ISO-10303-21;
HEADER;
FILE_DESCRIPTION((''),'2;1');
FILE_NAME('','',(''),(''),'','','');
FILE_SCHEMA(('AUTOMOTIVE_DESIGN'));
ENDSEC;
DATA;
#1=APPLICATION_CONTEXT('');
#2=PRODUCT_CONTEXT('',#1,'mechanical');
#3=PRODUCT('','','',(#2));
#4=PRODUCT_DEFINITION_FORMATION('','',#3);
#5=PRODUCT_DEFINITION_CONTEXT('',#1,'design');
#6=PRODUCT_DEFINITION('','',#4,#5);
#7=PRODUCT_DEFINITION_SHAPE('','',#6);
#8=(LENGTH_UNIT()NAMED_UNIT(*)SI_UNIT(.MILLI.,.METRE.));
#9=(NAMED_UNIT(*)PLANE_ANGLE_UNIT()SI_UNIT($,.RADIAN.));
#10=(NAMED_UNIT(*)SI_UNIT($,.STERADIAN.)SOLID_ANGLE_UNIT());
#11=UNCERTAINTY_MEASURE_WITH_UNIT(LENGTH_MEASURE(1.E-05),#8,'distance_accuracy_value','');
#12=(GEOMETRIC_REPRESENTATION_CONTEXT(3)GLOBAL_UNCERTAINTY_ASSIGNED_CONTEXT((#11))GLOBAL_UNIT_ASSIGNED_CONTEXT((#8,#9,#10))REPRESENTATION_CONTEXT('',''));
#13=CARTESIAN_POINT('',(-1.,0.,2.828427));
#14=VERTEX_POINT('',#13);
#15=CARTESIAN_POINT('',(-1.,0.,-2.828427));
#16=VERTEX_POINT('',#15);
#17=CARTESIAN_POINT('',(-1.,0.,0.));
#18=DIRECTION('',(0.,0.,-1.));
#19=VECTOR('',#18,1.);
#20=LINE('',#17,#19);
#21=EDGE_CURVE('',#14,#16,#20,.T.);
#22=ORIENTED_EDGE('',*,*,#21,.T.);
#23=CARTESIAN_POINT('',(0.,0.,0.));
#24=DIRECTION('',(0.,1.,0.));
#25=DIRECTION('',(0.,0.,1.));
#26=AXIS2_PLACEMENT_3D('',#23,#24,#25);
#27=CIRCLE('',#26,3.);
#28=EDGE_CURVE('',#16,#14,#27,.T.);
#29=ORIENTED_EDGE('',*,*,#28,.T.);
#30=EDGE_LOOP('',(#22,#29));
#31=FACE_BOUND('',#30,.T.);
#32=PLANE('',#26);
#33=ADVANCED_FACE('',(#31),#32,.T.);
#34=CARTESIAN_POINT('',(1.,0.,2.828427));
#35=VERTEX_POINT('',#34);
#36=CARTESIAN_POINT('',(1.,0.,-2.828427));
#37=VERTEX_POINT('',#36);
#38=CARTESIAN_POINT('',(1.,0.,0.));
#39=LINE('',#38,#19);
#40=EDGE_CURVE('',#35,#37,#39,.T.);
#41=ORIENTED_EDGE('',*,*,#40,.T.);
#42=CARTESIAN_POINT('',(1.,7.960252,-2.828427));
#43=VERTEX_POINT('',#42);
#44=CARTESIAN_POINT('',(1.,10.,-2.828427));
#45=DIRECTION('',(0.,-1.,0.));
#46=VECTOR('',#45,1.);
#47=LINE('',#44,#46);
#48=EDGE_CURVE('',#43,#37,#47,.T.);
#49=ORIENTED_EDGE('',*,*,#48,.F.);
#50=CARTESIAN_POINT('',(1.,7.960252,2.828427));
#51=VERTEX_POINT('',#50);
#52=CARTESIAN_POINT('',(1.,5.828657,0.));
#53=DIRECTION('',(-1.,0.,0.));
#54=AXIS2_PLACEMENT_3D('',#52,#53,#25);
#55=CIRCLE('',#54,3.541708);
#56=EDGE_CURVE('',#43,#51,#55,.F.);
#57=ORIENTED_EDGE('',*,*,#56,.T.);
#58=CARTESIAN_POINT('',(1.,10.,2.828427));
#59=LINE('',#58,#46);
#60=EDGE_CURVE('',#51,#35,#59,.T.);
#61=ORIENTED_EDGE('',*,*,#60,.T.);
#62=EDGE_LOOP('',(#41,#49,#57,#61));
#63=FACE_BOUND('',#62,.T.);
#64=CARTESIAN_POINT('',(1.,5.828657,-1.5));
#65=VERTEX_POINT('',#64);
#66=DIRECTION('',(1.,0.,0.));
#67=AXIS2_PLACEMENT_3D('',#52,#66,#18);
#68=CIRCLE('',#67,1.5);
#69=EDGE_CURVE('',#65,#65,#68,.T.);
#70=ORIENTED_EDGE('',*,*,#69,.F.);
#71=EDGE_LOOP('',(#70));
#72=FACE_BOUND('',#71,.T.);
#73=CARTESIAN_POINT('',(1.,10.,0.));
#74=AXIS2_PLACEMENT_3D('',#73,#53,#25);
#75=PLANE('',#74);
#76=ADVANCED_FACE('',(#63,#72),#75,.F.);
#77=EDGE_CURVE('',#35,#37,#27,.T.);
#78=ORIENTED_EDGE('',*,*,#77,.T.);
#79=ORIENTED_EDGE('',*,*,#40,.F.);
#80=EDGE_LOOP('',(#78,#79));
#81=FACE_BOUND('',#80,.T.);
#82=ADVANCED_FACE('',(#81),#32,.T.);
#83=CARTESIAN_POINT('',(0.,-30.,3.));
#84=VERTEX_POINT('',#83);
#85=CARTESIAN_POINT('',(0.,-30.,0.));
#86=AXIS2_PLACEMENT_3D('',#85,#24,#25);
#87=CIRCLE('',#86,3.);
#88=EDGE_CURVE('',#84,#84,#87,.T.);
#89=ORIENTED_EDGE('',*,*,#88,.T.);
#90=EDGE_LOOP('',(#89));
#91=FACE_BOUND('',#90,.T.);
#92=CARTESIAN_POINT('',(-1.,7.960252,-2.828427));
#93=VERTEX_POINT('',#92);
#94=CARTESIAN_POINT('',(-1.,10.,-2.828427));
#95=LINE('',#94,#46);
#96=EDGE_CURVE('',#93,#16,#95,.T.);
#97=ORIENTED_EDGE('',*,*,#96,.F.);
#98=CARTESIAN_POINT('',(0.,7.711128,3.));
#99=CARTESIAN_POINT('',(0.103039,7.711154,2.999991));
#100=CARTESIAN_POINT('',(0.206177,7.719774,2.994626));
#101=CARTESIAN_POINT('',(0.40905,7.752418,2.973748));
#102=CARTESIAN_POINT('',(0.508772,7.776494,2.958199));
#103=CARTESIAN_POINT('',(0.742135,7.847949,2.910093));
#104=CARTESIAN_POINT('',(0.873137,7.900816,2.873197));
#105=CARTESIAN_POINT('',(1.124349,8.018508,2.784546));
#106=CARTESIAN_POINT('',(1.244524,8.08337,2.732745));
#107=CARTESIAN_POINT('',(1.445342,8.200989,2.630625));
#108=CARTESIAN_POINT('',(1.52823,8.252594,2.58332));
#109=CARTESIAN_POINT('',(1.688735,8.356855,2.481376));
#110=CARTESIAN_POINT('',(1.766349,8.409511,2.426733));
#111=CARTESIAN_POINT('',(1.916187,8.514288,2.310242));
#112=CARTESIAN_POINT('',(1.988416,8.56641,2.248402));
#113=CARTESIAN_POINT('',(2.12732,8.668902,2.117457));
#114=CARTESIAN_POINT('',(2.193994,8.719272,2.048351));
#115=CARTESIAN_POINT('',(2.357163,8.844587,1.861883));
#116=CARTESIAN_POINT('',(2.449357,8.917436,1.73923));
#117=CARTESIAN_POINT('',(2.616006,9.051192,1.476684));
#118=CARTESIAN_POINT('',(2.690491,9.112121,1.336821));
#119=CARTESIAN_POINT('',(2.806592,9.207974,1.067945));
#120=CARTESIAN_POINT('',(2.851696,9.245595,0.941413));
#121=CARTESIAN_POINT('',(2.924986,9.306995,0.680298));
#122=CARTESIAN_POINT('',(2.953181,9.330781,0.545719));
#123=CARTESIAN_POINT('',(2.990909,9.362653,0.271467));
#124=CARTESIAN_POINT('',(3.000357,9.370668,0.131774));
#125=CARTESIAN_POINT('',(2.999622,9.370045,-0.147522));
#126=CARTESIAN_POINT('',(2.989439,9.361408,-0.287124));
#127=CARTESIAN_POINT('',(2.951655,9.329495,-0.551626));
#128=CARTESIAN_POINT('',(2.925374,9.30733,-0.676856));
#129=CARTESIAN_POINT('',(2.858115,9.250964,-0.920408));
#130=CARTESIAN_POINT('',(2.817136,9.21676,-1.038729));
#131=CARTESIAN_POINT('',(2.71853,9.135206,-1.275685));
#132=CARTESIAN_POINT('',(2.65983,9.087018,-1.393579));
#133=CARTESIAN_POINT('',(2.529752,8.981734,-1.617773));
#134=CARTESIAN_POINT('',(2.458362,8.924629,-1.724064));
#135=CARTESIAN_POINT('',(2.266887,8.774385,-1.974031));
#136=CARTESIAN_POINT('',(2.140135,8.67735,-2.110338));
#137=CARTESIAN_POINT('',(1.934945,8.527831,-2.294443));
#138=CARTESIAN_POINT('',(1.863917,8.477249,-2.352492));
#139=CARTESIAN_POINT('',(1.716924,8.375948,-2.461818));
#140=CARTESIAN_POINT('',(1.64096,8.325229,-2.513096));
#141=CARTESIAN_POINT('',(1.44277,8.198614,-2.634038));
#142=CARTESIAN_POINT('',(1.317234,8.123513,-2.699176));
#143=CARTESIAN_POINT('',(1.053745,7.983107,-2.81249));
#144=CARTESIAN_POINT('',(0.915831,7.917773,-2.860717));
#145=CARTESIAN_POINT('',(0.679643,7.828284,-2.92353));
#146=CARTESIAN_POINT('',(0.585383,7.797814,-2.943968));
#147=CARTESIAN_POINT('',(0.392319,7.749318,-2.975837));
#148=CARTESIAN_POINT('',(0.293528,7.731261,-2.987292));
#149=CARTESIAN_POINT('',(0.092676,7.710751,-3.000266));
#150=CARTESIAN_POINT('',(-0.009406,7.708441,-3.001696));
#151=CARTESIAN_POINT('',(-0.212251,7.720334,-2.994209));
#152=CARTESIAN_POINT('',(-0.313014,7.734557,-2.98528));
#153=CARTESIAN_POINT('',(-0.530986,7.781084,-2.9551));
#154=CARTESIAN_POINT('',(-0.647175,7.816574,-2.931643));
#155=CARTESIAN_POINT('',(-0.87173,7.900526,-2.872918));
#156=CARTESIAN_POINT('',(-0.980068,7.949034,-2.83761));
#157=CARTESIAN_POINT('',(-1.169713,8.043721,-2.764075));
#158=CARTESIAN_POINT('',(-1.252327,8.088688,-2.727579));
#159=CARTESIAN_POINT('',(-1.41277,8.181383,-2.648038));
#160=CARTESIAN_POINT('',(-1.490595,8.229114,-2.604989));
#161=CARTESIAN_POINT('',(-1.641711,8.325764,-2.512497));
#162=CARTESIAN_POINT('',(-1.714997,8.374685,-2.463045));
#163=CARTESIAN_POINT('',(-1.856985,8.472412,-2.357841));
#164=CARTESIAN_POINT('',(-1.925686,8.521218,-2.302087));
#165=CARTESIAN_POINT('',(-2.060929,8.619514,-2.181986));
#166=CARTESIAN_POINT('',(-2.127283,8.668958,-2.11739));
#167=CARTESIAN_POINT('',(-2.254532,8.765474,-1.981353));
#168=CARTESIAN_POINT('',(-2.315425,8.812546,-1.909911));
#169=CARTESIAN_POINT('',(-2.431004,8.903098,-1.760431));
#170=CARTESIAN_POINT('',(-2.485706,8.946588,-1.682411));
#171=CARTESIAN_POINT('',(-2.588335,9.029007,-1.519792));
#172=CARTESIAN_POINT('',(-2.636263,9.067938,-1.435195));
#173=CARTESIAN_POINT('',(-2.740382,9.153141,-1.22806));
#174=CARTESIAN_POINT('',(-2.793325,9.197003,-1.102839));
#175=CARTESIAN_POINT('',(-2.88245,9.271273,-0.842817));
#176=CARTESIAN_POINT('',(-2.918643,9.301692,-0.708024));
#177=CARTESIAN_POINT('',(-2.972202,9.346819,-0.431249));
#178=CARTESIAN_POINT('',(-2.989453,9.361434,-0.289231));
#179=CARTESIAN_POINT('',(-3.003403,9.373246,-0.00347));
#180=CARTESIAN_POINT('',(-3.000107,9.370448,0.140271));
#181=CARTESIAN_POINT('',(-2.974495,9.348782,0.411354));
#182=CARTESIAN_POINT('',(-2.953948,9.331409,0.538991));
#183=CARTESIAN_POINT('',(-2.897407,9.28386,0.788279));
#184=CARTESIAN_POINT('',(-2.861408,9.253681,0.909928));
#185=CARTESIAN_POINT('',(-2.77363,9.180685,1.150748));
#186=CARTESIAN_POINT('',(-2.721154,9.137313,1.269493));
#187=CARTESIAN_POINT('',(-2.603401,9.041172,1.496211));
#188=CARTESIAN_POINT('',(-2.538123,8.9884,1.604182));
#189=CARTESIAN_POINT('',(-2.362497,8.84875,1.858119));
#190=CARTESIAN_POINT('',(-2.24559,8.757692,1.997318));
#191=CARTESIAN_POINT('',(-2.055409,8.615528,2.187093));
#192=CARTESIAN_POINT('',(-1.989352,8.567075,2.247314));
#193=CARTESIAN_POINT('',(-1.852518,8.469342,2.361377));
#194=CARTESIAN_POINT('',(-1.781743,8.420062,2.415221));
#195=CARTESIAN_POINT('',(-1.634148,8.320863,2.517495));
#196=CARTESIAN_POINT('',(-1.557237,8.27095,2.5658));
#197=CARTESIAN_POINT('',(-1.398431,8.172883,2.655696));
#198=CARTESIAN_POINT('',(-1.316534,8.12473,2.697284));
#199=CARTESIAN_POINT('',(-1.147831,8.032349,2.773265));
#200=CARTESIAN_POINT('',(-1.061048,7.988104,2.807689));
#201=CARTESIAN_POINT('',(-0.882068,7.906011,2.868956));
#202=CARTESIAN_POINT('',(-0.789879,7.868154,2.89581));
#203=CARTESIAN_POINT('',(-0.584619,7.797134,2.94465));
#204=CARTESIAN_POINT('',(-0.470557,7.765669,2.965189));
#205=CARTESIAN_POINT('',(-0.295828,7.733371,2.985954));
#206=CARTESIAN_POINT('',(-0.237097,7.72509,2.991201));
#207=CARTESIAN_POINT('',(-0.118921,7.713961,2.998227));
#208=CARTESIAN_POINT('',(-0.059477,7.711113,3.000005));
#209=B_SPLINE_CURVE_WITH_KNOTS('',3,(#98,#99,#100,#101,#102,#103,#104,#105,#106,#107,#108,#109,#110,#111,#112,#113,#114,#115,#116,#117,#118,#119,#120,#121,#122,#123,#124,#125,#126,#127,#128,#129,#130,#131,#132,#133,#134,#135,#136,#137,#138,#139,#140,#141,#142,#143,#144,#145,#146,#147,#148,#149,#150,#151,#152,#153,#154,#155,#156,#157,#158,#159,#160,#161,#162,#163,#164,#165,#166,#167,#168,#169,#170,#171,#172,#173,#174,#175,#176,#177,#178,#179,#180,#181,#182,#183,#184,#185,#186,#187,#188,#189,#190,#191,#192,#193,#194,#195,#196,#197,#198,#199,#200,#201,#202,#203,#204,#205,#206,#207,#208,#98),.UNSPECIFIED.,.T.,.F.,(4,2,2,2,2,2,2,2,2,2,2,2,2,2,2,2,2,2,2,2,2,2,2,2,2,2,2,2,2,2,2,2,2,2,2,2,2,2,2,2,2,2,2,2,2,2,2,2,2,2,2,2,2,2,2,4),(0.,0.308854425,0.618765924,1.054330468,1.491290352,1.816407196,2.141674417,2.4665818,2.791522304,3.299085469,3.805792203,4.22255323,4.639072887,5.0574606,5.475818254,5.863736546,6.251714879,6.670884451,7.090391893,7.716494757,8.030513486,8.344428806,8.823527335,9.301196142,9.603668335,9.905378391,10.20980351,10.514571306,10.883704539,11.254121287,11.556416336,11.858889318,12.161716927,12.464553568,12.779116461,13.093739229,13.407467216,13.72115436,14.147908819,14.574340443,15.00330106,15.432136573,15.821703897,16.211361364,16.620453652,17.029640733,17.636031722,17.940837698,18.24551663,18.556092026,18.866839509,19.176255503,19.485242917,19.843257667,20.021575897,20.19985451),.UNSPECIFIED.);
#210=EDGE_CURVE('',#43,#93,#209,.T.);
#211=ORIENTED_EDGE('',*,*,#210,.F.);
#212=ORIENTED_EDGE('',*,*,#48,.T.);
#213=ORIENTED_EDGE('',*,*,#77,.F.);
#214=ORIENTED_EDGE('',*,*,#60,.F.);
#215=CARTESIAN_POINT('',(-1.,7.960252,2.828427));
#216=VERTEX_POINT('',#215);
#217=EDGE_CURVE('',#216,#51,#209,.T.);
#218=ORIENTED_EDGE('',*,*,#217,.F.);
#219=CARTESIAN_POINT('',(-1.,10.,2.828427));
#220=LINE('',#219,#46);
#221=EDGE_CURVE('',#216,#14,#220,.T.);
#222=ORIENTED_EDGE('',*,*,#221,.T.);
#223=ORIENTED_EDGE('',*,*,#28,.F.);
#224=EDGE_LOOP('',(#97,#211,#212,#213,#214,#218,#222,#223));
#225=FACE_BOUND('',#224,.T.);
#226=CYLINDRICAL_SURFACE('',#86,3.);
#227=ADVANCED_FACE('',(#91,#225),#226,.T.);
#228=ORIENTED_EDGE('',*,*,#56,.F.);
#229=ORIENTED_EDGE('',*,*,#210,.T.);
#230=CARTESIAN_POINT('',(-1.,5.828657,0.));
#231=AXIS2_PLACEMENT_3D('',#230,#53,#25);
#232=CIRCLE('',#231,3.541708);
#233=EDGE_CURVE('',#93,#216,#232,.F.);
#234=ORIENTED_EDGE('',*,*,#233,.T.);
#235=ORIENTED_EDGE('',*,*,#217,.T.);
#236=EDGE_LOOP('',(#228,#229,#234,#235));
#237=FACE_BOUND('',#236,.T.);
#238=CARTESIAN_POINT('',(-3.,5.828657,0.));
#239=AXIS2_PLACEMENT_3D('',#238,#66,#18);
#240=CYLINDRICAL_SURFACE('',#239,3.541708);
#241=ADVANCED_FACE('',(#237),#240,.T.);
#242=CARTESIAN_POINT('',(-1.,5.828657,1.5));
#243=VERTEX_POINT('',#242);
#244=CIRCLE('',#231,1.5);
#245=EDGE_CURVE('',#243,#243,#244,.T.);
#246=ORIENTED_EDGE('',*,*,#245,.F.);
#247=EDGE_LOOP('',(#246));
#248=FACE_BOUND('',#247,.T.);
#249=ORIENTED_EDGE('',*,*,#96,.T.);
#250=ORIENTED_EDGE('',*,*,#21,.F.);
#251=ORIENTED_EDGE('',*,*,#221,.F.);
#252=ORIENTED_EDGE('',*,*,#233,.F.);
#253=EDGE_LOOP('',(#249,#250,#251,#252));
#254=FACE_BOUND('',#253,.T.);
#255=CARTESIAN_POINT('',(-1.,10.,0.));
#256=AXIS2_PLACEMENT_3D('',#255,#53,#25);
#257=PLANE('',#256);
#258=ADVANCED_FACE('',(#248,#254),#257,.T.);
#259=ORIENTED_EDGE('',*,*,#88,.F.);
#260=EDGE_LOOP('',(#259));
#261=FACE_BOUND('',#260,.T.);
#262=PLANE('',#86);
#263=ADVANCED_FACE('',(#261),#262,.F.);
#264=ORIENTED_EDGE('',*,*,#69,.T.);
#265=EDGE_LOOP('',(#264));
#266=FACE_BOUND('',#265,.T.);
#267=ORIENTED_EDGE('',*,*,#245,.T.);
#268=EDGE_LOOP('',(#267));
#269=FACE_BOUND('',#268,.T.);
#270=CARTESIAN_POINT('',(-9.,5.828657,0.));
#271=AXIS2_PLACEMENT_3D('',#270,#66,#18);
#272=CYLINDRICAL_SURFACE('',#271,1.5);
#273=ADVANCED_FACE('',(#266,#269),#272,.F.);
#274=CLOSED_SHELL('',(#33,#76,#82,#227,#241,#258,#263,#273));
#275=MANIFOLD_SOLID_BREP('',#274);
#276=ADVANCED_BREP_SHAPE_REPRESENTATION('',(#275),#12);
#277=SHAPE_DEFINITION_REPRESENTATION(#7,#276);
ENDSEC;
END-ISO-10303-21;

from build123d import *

# Parameters (mm, degrees)
SKETCH1_R               = 3
BOSS_EXTRUDE1_DEPTH     = 30
BOSS_EXTRUDE2_START     = 10
BOSS_EXTRUDE2_DEPTH     = 10
SKETCH2_R               = 1.5
CUT_EXTRUDE1_DEPTH      = 10
CUT_EXTRUDE2_DEPTH      = 31.413812651
CUT_EXTRUDE2_DEPTH_BACK = 31.413812651


with BuildPart() as part:
    # Sketch1 → Boss-Extrude1 (new body)
    with BuildSketch(Plane(origin=(0, 0, 0), x_dir=(1, 0, 0), z_dir=(0, 1, 0))):
        Circle(SKETCH1_R)
    extrude(amount=-BOSS_EXTRUDE1_DEPTH)

    # Sketch1<3> → Boss-Extrude2 (add)
    with BuildSketch(Plane(origin=(0, 0, 0), x_dir=(1, 0, 0), z_dir=(0, 1, 0)).offset(BOSS_EXTRUDE2_START)):
        with BuildLine():
            ThreePointArc((-1, -2.828427125), (0, -3), (1, -2.828427125))
            Line((1, -2.828427125), (1, 2.828427125))
            ThreePointArc((1, 2.828427125), (0, 3), (-1, 2.828427125))
            Line((-1, 2.828427125), (-1, -2.828427125))
        make_face()
    extrude(amount=-BOSS_EXTRUDE2_DEPTH)

    # Sketch2 → Cut-Extrude1 (cut)
    with BuildSketch(Plane(origin=(1, 0, 0), x_dir=(0, 0, -1), z_dir=(1, 0, 0))):
        with Locations((0, 5.828656685)):
            Circle(SKETCH2_R)
    extrude(amount=-CUT_EXTRUDE1_DEPTH, mode=Mode.SUBTRACT)

    # Sketch3 → Cut-Extrude2 (cut, two sides: drawn at the far end of the back side and taken through both)
    with BuildSketch(Plane(origin=(1, 0, 0), x_dir=(0, 0, -1), z_dir=(1, 0, 0)).offset(-CUT_EXTRUDE2_DEPTH_BACK)):
        with BuildLine():
            Line((3.541708321, 5.828656685), (6.198168723, 5.828656685))
            Line((6.198168723, 5.828656685), (6.198168723, 11.427002628))
            Line((6.198168723, 11.427002628), (-4.798582237, 11.427002628))
            Line((-4.798582237, 11.427002628), (-4.798582237, 5.828656685))
            Line((-4.798582237, 5.828656685), (-3.541708321, 5.828656685))
            ThreePointArc((-3.541708321, 5.828656685), (0, 9.370365006), (3.541708321, 5.828656685))
        make_face()
    extrude(amount=CUT_EXTRUDE2_DEPTH + CUT_EXTRUDE2_DEPTH_BACK, mode=Mode.SUBTRACT)


solid = part.part
